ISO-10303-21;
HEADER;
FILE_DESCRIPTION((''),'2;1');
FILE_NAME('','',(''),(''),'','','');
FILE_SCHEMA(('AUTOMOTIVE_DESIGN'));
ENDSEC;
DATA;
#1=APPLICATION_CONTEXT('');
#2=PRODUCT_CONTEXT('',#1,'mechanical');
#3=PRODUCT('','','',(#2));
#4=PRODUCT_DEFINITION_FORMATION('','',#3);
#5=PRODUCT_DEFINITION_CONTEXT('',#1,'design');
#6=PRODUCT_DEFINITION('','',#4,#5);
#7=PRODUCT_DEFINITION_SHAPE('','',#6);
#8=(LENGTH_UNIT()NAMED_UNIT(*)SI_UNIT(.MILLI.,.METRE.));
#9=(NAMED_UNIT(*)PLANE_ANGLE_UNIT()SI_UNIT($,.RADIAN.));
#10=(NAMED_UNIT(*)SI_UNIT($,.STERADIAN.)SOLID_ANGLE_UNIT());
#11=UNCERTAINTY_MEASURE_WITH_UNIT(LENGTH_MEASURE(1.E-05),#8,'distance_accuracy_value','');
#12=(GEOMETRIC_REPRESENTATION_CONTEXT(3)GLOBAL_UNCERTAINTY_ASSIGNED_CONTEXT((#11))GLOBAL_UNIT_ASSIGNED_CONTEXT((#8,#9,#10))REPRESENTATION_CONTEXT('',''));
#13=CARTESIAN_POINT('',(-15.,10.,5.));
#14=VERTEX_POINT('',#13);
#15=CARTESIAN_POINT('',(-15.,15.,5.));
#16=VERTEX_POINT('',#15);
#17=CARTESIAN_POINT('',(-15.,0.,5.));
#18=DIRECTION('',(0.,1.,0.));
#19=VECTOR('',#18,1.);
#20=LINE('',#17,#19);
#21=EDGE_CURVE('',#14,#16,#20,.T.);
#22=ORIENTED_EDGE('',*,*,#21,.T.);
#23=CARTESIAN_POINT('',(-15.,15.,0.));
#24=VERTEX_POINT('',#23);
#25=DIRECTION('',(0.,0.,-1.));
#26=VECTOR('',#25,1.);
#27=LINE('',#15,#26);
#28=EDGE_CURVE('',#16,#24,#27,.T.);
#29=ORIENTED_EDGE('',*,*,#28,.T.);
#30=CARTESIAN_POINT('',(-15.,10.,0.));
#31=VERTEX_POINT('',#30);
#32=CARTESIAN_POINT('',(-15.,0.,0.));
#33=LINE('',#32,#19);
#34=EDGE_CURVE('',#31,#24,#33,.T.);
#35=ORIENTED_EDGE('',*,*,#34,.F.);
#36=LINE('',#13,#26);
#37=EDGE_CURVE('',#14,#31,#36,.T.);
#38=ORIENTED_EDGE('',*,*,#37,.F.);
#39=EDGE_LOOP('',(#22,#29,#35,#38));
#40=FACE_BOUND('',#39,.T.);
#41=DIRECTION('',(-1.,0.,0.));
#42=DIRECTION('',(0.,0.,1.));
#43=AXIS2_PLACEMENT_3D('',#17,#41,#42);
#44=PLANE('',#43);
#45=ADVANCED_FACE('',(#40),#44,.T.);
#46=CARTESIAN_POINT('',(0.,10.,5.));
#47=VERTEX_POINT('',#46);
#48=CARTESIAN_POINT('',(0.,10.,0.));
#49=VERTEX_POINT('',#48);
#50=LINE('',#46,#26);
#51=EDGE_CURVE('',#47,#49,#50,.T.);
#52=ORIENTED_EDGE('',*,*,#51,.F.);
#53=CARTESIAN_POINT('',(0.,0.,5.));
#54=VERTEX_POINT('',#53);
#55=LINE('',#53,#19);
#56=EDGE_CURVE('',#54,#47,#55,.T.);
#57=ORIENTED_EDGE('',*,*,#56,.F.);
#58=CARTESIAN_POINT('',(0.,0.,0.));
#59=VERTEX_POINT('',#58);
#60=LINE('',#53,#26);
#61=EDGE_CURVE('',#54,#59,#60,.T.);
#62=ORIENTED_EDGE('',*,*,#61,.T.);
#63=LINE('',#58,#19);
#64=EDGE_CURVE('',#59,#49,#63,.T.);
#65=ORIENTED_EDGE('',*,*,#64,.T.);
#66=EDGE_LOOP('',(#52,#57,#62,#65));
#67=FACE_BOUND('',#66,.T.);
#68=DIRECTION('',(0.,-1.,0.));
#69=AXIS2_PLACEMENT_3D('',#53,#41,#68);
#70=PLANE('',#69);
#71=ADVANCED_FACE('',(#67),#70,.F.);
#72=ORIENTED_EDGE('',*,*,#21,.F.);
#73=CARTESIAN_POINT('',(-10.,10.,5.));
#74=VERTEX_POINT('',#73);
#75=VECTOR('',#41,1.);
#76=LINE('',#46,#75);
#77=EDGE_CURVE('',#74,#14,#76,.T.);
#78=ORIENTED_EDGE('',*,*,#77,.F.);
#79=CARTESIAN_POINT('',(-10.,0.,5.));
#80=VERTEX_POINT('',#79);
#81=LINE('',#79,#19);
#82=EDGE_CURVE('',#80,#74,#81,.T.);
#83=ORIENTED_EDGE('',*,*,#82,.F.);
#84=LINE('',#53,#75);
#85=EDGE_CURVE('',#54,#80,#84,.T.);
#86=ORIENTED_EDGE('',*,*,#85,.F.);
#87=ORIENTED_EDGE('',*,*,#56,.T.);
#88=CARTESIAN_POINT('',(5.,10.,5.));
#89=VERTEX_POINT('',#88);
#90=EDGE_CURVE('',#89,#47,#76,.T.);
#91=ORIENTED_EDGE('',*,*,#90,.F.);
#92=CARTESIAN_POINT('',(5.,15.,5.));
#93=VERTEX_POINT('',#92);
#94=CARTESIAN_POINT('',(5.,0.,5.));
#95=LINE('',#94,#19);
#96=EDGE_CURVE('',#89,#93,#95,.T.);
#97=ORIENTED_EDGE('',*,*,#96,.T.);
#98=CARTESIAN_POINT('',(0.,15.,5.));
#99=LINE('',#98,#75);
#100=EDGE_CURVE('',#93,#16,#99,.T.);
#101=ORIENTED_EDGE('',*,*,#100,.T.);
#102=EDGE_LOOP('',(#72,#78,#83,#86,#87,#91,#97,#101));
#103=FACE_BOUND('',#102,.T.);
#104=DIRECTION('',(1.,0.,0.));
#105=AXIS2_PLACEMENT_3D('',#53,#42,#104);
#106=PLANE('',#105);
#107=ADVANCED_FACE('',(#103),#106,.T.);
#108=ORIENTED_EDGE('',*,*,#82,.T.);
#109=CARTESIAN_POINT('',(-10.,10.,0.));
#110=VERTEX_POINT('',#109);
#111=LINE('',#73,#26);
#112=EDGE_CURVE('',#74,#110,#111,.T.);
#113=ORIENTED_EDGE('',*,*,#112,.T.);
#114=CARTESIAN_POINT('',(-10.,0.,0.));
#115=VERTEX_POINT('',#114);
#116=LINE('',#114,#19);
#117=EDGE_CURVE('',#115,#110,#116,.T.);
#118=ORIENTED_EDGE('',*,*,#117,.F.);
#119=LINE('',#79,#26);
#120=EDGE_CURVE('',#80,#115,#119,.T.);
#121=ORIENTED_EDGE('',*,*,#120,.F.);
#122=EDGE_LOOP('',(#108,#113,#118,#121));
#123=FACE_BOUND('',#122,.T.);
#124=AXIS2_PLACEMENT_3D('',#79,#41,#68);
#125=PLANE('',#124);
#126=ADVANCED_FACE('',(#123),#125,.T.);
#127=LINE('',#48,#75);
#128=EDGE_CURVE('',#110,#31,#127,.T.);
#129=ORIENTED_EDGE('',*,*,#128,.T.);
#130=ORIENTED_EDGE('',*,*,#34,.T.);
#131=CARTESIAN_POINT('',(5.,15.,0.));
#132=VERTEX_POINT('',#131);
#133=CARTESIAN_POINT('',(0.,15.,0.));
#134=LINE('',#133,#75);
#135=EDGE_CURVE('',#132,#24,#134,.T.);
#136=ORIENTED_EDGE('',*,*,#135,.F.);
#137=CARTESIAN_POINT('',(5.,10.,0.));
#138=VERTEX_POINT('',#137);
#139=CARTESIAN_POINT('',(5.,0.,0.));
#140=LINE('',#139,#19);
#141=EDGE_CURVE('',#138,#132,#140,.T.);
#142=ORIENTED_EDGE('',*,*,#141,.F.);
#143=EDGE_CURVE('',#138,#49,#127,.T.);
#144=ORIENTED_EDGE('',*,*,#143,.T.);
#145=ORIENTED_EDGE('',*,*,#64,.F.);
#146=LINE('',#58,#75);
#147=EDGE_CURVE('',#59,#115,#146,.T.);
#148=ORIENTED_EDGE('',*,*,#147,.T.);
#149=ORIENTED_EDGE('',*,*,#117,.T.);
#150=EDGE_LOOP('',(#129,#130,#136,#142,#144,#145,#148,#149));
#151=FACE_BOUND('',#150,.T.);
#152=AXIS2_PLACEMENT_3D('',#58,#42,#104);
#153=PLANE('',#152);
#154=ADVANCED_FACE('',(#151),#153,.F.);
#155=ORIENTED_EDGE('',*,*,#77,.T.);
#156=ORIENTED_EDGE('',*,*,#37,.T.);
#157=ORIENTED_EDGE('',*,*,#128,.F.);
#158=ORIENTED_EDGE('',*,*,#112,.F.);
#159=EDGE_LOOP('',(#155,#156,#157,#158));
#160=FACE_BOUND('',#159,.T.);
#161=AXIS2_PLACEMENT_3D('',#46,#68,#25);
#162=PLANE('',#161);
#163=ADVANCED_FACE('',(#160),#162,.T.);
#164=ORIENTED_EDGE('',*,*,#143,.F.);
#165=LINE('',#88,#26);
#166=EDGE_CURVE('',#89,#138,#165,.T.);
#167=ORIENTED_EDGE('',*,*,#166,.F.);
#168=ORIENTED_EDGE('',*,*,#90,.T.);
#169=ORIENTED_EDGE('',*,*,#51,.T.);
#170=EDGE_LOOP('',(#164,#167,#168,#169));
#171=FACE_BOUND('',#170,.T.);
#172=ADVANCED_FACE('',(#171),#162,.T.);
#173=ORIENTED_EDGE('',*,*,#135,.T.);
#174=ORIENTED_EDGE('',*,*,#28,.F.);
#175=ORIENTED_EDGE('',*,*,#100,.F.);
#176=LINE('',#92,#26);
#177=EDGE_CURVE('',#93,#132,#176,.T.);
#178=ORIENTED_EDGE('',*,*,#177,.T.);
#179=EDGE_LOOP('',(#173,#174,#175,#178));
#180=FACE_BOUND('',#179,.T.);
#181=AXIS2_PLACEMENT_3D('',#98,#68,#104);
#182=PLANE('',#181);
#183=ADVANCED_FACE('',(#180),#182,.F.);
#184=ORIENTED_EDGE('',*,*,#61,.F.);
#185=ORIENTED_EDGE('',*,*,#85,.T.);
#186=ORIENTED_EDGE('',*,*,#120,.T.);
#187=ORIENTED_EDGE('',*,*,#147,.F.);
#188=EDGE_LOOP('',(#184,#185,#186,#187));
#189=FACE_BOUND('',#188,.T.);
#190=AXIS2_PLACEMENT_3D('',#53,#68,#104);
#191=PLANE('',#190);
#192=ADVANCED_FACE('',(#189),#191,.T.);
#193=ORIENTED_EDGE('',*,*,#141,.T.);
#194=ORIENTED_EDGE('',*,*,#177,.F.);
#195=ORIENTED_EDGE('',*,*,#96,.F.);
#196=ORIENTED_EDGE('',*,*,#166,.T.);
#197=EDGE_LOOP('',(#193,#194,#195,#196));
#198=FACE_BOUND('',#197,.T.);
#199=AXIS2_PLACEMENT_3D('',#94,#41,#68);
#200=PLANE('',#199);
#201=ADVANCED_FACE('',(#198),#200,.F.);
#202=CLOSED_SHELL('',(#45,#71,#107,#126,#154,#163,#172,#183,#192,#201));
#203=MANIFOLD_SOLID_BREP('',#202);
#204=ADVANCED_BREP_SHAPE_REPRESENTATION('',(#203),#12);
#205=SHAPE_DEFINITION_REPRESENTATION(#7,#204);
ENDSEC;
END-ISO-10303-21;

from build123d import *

# Parameters (mm, degrees)
SKETCH1_W           = 10
SKETCH1_H           = 10
BOSS_EXTRUDE1_DEPTH = 5


with BuildPart() as part:
    # Sketch1 → Boss-Extrude1 (new body)
    with BuildSketch(Plane.XY):
        Polygon((-10, 10), (0, 10), (5, 10), (5, 15), (-15, 15), (-15, 10), align=None)
        with Locations((-5, 5)):
            Rectangle(SKETCH1_W, SKETCH1_H)
    extrude(amount=BOSS_EXTRUDE1_DEPTH)


solid = part.part
